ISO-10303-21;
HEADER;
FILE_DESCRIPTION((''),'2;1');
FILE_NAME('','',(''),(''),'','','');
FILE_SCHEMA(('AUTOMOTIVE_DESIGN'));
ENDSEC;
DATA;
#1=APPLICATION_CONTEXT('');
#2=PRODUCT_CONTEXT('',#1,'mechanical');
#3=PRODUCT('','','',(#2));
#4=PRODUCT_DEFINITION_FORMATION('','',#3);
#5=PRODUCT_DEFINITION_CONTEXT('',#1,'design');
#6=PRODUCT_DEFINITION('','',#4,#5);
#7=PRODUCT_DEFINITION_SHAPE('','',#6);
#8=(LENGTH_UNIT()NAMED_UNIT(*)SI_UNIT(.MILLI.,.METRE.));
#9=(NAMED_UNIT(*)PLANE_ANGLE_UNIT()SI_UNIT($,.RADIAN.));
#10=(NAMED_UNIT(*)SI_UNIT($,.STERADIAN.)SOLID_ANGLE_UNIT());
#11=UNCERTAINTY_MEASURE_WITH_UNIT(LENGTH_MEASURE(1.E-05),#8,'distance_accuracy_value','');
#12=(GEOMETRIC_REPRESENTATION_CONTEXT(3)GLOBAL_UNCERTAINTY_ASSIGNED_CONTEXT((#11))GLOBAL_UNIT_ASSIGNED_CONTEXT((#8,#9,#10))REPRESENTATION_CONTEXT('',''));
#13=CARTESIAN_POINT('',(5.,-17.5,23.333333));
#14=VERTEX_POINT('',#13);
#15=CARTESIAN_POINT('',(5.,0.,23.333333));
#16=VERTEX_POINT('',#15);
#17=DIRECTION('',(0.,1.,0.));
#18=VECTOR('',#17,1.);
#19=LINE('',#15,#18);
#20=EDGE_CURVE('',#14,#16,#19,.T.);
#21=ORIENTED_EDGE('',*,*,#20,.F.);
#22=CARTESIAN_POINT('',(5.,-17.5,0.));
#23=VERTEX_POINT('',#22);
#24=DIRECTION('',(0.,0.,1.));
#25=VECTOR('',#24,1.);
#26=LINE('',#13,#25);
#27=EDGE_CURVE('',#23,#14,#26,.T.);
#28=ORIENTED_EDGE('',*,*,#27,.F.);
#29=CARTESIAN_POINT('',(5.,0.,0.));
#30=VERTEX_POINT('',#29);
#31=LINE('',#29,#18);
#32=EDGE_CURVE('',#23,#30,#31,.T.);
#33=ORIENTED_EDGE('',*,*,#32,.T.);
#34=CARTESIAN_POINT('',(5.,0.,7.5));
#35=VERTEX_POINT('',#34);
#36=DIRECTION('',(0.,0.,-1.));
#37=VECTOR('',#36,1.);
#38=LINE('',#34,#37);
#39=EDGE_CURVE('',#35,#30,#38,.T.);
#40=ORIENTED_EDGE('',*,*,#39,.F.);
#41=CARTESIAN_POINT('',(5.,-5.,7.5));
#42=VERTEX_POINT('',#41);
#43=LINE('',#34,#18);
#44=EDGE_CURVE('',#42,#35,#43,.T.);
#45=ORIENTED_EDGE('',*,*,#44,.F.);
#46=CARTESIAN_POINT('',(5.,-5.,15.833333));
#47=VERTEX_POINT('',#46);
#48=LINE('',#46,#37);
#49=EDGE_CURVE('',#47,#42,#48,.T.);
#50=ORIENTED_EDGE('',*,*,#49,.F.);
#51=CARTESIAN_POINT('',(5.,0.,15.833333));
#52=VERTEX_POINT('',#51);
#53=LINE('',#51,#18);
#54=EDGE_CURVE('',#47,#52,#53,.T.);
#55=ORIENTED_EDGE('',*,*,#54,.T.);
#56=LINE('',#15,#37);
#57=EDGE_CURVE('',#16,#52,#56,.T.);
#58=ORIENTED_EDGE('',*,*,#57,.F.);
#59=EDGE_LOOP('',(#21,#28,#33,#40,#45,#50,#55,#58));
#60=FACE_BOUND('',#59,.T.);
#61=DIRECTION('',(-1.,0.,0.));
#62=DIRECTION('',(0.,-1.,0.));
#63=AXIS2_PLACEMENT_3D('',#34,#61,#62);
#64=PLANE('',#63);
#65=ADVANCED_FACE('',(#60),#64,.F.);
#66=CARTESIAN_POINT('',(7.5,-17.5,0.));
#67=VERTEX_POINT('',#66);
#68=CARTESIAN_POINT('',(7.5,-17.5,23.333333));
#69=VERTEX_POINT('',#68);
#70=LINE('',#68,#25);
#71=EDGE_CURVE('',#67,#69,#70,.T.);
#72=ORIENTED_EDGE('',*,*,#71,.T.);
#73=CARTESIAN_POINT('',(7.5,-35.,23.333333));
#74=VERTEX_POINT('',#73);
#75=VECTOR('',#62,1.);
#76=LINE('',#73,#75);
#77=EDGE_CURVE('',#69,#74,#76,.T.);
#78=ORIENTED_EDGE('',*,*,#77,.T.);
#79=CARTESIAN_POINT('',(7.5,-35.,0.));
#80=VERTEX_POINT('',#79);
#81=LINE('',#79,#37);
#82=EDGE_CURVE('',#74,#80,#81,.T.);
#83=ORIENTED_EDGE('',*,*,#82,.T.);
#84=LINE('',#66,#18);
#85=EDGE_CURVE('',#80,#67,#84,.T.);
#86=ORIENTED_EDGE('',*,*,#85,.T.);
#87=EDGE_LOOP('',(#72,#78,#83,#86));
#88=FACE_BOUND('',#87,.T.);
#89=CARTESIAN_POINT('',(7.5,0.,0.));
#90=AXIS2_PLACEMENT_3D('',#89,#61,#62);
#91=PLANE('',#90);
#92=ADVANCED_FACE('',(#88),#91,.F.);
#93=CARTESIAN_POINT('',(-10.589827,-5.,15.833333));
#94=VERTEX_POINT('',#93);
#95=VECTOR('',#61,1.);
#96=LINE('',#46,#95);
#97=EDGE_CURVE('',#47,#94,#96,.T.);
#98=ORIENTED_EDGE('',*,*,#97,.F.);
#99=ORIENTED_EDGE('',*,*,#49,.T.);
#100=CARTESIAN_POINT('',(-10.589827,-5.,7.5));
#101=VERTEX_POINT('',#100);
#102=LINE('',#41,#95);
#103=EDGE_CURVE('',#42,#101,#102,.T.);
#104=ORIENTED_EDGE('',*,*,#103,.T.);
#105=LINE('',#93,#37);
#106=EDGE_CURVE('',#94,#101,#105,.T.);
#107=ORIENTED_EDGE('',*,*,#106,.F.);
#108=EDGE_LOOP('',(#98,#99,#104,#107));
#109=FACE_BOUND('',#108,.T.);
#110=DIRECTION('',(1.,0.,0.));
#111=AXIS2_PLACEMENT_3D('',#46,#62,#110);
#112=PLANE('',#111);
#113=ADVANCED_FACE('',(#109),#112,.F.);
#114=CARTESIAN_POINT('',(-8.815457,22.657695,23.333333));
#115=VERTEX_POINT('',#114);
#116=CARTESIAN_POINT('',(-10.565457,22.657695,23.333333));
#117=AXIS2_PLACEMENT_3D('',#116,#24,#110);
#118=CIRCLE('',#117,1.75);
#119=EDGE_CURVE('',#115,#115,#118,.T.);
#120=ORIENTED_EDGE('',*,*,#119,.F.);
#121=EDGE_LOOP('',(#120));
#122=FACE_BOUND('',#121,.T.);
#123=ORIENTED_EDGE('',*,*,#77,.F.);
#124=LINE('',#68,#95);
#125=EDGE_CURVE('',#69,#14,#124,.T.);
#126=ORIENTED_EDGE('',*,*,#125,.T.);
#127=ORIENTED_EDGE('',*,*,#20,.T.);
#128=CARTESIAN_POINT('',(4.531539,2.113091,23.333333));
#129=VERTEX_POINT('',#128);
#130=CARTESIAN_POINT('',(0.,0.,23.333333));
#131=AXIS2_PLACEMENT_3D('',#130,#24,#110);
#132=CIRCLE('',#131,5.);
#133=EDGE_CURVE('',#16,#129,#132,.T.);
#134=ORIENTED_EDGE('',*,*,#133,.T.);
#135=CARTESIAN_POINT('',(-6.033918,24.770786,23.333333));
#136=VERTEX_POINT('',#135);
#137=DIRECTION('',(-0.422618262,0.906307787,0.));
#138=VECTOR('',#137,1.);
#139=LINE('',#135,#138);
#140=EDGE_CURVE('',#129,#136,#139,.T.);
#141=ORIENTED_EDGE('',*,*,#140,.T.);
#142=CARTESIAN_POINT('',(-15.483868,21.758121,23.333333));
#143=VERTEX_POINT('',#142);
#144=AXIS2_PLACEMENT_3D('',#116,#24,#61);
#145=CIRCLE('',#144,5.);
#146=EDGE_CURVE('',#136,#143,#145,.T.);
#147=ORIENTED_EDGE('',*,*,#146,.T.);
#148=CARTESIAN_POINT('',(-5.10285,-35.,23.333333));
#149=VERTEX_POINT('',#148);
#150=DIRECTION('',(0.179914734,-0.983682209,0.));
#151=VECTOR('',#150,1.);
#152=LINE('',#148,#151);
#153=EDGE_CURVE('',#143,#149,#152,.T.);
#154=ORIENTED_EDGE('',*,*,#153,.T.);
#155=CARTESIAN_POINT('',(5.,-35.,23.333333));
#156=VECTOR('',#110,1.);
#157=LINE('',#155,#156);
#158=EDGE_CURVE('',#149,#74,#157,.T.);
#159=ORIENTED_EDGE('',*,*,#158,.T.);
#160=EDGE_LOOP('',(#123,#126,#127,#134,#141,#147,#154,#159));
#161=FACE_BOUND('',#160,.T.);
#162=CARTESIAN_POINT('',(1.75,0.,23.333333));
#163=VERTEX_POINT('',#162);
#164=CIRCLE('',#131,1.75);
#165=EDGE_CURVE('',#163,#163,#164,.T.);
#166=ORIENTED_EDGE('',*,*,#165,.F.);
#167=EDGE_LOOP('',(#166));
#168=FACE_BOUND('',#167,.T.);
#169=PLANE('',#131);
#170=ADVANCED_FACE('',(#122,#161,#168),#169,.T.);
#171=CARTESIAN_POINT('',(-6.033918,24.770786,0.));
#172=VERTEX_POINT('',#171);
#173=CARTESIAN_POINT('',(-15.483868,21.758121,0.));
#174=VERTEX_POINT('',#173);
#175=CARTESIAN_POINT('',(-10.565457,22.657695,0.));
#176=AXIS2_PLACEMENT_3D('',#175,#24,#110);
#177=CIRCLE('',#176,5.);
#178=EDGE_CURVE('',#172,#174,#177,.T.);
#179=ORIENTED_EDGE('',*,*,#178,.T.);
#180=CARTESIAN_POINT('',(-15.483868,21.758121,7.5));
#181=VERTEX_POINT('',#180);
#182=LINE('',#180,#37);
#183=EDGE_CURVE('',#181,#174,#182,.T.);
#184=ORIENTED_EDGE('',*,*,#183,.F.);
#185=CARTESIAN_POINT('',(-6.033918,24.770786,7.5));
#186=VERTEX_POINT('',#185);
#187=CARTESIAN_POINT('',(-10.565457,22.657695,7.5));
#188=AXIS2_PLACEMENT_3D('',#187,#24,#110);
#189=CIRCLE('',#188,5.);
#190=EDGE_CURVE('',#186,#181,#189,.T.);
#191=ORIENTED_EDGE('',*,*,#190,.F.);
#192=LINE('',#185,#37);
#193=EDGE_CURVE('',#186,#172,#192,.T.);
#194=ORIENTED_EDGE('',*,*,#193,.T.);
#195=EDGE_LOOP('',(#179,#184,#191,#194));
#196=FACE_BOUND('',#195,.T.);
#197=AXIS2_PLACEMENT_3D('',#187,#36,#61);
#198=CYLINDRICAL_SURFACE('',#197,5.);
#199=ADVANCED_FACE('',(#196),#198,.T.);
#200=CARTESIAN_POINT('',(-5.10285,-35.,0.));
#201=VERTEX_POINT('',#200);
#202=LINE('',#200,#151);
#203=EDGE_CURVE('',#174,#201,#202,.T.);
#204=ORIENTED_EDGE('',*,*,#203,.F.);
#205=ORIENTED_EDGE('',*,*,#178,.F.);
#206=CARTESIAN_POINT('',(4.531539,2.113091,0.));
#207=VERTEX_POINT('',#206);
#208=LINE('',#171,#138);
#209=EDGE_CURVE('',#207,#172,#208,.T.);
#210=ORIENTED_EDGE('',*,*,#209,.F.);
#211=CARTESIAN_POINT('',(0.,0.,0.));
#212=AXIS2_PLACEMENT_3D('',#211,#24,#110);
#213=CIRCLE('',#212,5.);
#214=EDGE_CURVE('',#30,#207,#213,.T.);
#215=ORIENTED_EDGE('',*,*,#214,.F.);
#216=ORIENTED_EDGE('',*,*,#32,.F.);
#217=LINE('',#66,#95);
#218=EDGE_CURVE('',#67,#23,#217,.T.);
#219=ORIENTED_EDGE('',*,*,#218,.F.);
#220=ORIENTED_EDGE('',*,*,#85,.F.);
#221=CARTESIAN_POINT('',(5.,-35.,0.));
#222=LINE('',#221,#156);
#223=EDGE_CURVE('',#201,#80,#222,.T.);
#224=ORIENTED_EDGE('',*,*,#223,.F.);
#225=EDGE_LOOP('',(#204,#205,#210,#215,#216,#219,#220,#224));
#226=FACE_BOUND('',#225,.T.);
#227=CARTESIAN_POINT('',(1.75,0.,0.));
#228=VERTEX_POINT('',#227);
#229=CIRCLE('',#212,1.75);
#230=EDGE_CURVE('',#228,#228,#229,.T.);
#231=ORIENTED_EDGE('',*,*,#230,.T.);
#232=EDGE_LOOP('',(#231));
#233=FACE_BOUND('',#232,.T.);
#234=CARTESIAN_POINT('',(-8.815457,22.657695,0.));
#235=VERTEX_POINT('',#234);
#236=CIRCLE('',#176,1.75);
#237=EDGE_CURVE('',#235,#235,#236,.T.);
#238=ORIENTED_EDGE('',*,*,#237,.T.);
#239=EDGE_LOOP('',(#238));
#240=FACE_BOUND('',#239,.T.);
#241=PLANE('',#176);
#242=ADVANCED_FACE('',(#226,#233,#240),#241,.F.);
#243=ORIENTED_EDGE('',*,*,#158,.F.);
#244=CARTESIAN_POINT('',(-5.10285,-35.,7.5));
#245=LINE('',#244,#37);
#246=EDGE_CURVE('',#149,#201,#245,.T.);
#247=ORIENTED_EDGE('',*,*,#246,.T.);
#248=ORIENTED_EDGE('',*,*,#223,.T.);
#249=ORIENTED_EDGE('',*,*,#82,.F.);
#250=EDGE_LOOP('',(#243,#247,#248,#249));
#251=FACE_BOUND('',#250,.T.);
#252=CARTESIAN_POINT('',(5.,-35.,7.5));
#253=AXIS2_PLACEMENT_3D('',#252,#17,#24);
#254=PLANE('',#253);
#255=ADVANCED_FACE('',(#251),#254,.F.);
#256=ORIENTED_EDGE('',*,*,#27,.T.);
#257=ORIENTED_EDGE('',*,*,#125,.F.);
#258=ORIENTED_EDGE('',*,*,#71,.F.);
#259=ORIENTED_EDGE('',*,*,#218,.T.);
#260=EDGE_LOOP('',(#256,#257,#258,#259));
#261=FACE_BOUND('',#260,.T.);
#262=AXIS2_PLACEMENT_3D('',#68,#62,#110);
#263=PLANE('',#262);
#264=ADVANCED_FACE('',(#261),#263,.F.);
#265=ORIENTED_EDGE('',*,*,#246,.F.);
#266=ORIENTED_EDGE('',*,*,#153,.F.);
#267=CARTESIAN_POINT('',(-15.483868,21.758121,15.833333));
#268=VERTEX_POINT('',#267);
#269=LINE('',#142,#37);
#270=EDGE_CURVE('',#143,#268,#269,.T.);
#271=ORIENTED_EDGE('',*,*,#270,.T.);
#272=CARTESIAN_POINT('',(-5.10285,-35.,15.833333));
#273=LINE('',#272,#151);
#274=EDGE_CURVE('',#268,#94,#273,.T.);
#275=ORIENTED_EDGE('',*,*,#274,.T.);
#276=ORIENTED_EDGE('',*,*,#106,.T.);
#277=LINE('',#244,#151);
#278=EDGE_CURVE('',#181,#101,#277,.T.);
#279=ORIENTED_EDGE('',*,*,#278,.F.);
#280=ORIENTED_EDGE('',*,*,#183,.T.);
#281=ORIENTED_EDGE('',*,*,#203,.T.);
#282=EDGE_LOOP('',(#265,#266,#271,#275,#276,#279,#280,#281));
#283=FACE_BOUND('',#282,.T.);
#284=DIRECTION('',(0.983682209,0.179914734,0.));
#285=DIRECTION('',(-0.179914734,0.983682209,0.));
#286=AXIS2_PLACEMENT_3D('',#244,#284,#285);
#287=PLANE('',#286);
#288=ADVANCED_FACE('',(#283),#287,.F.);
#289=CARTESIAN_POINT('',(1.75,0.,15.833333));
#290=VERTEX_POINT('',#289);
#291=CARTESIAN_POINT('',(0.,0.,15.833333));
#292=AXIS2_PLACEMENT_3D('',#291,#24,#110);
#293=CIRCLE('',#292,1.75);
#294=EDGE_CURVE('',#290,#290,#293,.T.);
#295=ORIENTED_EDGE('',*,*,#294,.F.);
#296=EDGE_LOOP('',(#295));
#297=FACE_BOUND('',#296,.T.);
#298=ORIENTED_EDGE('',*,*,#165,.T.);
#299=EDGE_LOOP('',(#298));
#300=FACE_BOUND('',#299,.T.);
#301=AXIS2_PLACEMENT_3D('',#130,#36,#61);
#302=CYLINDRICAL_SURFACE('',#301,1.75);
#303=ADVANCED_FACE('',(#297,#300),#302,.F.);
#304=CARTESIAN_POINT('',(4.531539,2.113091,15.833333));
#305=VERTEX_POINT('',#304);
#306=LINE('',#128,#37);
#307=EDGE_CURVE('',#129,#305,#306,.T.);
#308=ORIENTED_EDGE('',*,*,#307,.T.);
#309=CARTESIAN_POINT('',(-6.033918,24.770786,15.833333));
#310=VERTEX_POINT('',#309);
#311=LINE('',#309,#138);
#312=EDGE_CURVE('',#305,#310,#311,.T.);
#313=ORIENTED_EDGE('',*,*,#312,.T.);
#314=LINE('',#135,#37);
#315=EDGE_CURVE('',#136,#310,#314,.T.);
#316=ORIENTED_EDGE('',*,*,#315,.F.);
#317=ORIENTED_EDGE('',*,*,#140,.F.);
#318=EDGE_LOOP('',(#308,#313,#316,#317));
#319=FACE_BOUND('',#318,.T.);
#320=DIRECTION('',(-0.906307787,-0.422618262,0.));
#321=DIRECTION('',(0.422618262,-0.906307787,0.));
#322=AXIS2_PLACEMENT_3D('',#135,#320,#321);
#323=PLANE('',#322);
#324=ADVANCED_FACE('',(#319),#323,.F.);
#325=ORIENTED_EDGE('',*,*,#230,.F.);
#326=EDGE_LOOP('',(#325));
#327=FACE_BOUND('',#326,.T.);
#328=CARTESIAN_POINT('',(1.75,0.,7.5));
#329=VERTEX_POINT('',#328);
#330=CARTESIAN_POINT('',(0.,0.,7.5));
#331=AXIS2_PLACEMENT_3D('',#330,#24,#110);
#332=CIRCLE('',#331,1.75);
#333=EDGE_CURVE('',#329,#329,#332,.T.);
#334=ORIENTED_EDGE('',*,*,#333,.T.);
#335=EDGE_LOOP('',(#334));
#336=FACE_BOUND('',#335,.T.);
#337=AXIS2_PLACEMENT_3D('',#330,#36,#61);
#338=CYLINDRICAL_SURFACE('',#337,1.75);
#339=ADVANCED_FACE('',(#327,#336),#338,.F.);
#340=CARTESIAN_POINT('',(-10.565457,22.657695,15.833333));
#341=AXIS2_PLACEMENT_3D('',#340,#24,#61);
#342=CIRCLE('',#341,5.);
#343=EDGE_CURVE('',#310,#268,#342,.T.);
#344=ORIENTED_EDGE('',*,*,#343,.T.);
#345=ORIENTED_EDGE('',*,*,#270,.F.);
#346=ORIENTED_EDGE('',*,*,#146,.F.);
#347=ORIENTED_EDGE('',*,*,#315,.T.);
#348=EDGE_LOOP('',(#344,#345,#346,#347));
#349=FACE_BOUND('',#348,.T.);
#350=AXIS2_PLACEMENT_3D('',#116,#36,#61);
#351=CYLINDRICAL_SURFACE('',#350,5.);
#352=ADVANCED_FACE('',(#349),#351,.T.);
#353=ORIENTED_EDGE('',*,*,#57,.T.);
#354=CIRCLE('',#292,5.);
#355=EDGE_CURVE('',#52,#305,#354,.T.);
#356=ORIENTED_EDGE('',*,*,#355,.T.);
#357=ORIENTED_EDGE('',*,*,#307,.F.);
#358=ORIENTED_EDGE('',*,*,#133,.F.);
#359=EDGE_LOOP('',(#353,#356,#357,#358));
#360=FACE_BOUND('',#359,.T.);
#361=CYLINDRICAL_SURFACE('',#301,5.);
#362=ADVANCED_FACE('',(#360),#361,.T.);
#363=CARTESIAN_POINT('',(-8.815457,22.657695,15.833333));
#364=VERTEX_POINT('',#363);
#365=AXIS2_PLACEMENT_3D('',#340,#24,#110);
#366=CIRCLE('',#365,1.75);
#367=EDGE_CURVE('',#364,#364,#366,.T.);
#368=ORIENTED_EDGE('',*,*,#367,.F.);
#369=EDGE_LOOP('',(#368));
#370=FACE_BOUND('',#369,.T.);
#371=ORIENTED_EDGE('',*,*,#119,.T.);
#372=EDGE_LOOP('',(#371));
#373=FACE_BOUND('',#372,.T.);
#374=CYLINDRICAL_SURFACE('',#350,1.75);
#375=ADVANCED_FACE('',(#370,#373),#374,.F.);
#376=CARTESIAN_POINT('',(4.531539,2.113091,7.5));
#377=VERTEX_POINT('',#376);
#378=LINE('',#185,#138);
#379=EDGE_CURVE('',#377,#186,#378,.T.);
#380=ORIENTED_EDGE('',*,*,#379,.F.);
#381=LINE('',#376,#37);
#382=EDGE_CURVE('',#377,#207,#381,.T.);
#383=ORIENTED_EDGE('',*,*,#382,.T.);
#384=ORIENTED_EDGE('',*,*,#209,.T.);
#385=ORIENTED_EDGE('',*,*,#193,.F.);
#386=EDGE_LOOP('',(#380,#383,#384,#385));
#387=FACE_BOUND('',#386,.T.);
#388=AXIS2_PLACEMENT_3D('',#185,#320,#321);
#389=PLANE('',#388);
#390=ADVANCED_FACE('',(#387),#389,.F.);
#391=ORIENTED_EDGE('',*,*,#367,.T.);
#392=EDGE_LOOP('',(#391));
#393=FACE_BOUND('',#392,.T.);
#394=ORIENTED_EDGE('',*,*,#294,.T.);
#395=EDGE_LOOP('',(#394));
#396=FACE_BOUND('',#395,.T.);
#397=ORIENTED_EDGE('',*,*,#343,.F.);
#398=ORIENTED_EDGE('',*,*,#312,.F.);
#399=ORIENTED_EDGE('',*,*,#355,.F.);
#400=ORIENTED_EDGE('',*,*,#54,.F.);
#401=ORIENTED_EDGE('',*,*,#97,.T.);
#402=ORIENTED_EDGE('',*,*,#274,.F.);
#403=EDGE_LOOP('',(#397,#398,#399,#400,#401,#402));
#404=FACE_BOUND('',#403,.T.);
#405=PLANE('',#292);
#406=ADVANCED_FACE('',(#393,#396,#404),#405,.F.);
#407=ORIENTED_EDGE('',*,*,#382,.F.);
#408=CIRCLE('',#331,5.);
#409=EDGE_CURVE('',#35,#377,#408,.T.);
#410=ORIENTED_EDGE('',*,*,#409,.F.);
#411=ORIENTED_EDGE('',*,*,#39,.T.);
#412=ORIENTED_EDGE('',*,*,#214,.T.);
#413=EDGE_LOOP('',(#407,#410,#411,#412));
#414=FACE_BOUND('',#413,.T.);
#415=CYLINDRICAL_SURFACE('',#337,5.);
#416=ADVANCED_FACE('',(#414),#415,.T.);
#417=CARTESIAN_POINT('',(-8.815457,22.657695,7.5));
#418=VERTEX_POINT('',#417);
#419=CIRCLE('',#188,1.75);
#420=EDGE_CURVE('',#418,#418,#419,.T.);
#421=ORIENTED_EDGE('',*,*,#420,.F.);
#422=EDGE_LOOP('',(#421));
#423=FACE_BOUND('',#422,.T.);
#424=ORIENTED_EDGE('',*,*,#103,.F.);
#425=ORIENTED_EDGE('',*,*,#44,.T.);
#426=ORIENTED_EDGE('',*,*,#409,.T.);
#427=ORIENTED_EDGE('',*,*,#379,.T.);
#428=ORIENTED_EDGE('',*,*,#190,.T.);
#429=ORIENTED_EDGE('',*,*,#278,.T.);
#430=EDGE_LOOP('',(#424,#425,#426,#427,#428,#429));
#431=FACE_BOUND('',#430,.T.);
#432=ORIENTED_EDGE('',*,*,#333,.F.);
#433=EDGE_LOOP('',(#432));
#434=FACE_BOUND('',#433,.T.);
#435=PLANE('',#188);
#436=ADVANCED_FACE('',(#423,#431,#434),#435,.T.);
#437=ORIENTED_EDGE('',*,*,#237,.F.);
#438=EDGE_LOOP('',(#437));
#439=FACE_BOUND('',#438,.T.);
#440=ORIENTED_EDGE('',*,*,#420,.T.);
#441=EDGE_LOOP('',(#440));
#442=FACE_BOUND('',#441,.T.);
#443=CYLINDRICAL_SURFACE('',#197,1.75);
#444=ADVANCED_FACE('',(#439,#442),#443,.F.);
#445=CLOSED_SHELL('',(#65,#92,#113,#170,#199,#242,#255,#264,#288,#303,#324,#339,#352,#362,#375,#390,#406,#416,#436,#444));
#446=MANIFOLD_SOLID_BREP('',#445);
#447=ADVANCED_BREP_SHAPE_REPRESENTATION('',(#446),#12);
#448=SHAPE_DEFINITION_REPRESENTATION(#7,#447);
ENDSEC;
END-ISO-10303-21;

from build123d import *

# Parameters (mm, degrees)
SKETCH1_R           = 1.75
BOSS_EXTRUDE1_DEPTH = 7.5
BOSS_EXTRUDE2_DEPTH = 8.333333333
SKETCH3_R           = 1.75
BOSS_EXTRUDE4_DEPTH = 7.5
SKETCH4_W           = 23.333333333
SKETCH4_H           = 17.5
BOSS_EXTRUDE5_DEPTH = 2.5


with BuildPart() as part:
    # Sketch1 → Boss-Extrude1 (new body)
    with BuildSketch(Plane.XY):
        with BuildLine():
            Line((-6.033917608, 24.770785985), (4.531538935, 2.113091309))
            ThreePointArc((4.531538935, 2.113091309), (4.881480036, 1.08219807), (5, 0))
            Line((5, 0), (5, -35))
            Line((5, -35), (-5.1028501, -35))
            Line((-5.1028501, -35), (-15.483867589, 21.758121008))
            ThreePointArc((-15.483867589, 21.758121008), (-12.084158316, 27.421468907), (-6.033917608, 24.770785985))
        make_face()
        with Locations((-10.565456544, 22.657694676)):
            Circle(SKETCH1_R, mode=Mode.SUBTRACT)
        Circle(SKETCH1_R, mode=Mode.SUBTRACT)
    extrude(amount=BOSS_EXTRUDE1_DEPTH)

    # Sketch2 → Boss-Extrude2 (add)
    with BuildSketch(Plane.XY.offset(7.5)):
        Polygon((5, -5), (-10.589827455, -5), (-5.1028501, -35), (5, -35), align=None)
    extrude(amount=BOSS_EXTRUDE2_DEPTH)

    # Sketch3 → Boss-Extrude4 (add)
    with BuildSketch(Plane.XY.offset(15.833333333)):
        with BuildLine():
            Line((5, 0), (5, -35))
            Line((5, -35), (-5.1028501, -35))
            Line((-5.1028501, -35), (-15.483867589, 21.758121008))
            ThreePointArc((-15.483867589, 21.758121008), (-12.084158316, 27.421468907), (-6.033917608, 24.770785985))
            Line((-6.033917608, 24.770785985), (4.531538935, 2.113091309))
            ThreePointArc((4.531538935, 2.113091309), (4.881480036, 1.08219807), (5, 0))
        make_face()
        Circle(SKETCH3_R, mode=Mode.SUBTRACT)
        with Locations((-10.565456544, 22.657694676)):
            Circle(SKETCH3_R, mode=Mode.SUBTRACT)
    extrude(amount=BOSS_EXTRUDE4_DEPTH)

    # Sketch4 → Boss-Extrude5 (add)
    with BuildSketch(Plane(origin=(5, 0, 0), x_dir=(0, 0, -1), z_dir=(1, 0, 0))):
        with Locations((-11.666666667, -26.25)):
            Rectangle(SKETCH4_W, SKETCH4_H)
    extrude(amount=BOSS_EXTRUDE5_DEPTH)


solid = part.part
